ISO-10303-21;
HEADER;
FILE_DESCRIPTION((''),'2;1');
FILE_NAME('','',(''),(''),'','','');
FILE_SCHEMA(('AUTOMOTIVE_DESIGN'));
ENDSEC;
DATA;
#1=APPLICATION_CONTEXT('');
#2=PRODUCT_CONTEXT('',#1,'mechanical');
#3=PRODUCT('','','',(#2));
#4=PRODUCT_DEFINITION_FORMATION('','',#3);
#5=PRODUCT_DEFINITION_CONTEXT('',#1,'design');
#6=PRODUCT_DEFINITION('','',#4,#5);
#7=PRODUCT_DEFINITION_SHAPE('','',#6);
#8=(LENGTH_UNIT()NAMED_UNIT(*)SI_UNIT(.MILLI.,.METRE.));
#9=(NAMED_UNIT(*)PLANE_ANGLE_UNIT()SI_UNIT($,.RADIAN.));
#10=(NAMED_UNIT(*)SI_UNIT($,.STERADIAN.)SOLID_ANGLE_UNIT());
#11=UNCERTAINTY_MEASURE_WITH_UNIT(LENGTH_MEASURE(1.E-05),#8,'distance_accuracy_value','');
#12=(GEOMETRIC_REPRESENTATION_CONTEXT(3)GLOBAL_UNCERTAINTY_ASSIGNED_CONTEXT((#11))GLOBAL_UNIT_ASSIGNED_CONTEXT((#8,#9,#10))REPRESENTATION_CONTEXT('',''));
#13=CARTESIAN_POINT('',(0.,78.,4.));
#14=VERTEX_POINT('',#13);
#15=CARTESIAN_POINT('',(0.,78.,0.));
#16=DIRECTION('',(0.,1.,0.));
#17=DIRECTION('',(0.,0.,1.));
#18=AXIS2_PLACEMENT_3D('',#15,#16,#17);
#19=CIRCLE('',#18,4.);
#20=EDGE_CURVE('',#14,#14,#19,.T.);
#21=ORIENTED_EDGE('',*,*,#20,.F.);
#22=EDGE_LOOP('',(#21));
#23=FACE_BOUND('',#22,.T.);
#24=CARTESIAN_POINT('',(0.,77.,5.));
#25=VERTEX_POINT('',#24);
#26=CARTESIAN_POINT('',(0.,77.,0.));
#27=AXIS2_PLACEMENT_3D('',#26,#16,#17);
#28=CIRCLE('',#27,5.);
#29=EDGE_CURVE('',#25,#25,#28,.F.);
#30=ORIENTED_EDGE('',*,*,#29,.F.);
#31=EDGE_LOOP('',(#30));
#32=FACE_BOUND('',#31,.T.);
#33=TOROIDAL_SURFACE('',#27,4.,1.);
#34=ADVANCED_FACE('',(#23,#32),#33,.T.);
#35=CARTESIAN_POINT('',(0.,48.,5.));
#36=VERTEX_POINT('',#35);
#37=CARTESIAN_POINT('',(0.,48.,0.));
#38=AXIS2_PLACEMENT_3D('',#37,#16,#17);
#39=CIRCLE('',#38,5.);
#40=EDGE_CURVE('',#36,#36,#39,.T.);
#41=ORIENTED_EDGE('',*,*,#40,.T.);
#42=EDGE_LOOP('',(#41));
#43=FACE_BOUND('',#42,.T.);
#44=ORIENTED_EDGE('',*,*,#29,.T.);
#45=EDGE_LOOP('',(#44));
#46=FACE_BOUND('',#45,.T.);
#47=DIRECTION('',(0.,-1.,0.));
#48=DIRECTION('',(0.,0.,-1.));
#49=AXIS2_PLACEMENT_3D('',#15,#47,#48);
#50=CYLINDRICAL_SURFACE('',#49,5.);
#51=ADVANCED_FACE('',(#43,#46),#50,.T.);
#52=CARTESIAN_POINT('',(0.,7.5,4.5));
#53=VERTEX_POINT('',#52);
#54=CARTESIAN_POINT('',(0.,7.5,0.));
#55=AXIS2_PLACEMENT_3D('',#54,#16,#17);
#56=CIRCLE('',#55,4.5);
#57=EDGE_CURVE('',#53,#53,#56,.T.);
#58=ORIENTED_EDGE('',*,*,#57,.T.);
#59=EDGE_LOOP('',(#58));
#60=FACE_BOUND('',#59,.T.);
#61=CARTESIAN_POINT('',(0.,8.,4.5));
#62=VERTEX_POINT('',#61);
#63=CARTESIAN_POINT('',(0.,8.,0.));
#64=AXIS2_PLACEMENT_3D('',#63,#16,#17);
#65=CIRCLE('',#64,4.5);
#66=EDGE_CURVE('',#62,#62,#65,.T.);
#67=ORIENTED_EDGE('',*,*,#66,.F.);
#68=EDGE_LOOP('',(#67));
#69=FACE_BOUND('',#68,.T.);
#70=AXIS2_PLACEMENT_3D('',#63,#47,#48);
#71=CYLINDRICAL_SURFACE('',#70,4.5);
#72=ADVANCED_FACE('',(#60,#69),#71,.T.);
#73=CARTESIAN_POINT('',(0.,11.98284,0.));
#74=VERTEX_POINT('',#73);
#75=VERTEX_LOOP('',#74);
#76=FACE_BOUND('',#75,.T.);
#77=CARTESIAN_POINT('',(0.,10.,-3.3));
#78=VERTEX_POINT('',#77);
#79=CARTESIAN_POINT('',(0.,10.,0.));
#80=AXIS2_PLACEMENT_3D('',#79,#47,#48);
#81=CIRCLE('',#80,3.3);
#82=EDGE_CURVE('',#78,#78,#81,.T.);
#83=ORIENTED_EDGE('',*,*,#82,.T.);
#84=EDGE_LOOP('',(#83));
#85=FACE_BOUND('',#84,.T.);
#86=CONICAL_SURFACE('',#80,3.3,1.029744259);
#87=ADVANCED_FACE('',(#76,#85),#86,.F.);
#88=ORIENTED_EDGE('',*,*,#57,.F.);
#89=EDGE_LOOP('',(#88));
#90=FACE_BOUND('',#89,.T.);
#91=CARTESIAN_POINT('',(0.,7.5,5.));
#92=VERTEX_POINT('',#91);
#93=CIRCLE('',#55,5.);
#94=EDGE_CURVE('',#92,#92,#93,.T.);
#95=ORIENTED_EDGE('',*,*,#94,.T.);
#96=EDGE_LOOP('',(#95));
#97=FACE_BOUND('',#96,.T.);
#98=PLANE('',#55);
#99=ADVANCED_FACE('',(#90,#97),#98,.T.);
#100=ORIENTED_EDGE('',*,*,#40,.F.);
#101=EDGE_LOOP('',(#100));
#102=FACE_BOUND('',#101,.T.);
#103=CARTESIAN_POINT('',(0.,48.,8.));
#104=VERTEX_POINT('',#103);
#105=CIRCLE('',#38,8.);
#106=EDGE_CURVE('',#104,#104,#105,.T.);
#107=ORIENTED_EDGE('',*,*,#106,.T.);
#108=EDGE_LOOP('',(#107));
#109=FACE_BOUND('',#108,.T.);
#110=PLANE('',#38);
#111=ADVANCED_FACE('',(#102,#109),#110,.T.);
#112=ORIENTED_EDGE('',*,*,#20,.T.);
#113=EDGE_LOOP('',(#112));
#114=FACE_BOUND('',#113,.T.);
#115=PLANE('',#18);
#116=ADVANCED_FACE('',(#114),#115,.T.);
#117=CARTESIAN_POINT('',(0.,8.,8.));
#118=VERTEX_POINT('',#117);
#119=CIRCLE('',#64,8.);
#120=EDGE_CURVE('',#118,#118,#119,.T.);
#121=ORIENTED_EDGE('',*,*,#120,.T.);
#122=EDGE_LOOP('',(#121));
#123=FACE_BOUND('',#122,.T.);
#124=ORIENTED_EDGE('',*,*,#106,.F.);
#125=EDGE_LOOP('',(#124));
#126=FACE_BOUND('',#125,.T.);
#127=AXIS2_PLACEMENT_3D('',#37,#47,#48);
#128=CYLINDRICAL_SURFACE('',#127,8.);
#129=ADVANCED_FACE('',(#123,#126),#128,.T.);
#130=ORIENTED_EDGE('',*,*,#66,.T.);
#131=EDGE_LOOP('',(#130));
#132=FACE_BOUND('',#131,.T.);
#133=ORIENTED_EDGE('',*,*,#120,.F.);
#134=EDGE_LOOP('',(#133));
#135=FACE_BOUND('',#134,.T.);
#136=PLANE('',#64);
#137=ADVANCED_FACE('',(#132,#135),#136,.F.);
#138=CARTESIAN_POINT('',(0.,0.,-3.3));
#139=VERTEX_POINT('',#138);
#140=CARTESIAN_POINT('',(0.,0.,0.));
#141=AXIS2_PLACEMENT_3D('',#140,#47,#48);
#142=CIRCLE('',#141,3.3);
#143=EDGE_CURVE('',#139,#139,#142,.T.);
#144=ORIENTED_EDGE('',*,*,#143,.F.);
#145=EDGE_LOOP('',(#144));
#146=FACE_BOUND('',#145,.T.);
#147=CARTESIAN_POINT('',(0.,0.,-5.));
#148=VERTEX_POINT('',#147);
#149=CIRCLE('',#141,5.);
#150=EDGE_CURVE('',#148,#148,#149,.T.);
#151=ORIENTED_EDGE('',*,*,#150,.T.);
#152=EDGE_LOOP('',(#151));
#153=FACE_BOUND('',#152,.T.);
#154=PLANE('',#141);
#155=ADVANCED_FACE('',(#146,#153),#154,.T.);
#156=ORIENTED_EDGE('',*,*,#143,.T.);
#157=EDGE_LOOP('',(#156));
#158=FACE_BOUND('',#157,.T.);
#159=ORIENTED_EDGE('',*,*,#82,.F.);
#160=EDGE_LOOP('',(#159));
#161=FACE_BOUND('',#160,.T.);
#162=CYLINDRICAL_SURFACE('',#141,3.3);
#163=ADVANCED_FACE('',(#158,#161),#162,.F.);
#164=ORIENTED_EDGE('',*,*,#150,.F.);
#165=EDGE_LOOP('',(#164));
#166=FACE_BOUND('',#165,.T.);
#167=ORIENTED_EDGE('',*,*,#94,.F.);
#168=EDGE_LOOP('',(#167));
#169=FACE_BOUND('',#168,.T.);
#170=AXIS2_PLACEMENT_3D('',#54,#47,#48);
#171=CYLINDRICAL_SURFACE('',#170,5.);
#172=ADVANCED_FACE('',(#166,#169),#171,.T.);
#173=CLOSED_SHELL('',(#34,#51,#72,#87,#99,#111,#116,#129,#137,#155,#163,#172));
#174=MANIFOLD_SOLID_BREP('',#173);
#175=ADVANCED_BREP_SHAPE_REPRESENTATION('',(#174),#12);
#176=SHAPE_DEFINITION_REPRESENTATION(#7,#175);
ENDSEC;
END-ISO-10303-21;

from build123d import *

# Parameters (mm, degrees)
SKETCH9_R                               = 5
BOSS_EXTRUDE7_DEPTH                     = 7.5
SKETCH10_R                              = 4.5
BOSS_EXTRUDE8_DEPTH                     = 0.5
SKETCH11_R                              = 8
BOSS_EXTRUDE9_DEPTH                     = 40
SKETCH12_R                              = 5
BOSS_EXTRUDE10_DEPTH                    = 30
FILLET7_R                               = 1
CBORE_FOR_M6_HEX_HEAD_BOLT2_D           = 6.6
CBORE_FOR_M6_HEX_HEAD_BOLT2_DEPTH       = 10
CBORE_FOR_M6_HEX_HEAD_BOLT2_CBORE_D     = 14.547
CBORE_FOR_M6_HEX_HEAD_BOLT2_CBORE_DEPTH = 4
CBORE_FOR_M6_HEX_HEAD_BOLT2_TIP         = 1.982840043
BOSS_EXTRUDE11_START                    = 4
SKETCH27_R                              = 5
BOSS_EXTRUDE11_DEPTH                    = 4
CUT_EXTRUDE1_START                      = -5
SKETCH28_R                              = 3.3
CUT_EXTRUDE1_DEPTH                      = 5


with BuildPart() as part:
    # Sketch9 → Boss-Extrude7 (new body)
    with BuildSketch(Plane(origin=(0, 0, 0), x_dir=(1, 0, 0), z_dir=(0, 1, 0))):
        with Locations(Location((0, 0, 0), (0, 0, 270))):
            Circle(SKETCH9_R)
    extrude(amount=BOSS_EXTRUDE7_DEPTH)

    # Sketch10 → Boss-Extrude8 (add)
    with BuildSketch(Plane(origin=(0, 7.5, 0), x_dir=(1, 0, 0), z_dir=(0, 1, 0))):
        with Locations(Location((0, 0, 0), (0, 0, 270))):
            Circle(SKETCH10_R)
    extrude(amount=BOSS_EXTRUDE8_DEPTH)

    # Sketch11 → Boss-Extrude9 (add)
    with BuildSketch(Plane(origin=(0, 8, 0), x_dir=(1, 0, 0), z_dir=(0, 1, 0))):
        with Locations(Location((0, 0, 0), (0, 0, 270))):
            Circle(SKETCH11_R)
    extrude(amount=BOSS_EXTRUDE9_DEPTH)

    # Sketch12 → Boss-Extrude10 (add)
    with BuildSketch(Plane(origin=(0, 48, 0), x_dir=(1, 0, 0), z_dir=(0, 1, 0))):
        with Locations(Location((0, 0, 0), (0, 0, 270))):
            Circle(SKETCH12_R)
    extrude(amount=BOSS_EXTRUDE10_DEPTH)

    # Fillet7
    fillet7_edges = [part.edges().sort_by_distance(p)[0] for p in [
        (0, 78, -5),
    ]]
    fillet(fillet7_edges, radius=FILLET7_R)

    # CBORE for M6 Hex Head Bolt2
    with Locations(Plane(origin=(0, 0, 0), x_dir=(-1, 0, 0), z_dir=(0, -1, 0))):
        with Locations((0, 0)):
            CounterBoreHole(CBORE_FOR_M6_HEX_HEAD_BOLT2_D / 2, CBORE_FOR_M6_HEX_HEAD_BOLT2_CBORE_D / 2, CBORE_FOR_M6_HEX_HEAD_BOLT2_CBORE_DEPTH, depth=CBORE_FOR_M6_HEX_HEAD_BOLT2_DEPTH)
            with Locations((0, 0, -(CBORE_FOR_M6_HEX_HEAD_BOLT2_DEPTH + CBORE_FOR_M6_HEX_HEAD_BOLT2_TIP / 2))):  # 118° drill point
                Cone(0, CBORE_FOR_M6_HEX_HEAD_BOLT2_D / 2, CBORE_FOR_M6_HEX_HEAD_BOLT2_TIP, mode=Mode.SUBTRACT)

    # Sketch27 → Boss-Extrude11 (add)
    with BuildSketch(Plane.XZ.offset(-4).offset(BOSS_EXTRUDE11_START)):
        with Locations(Location((0, 0, 0), (0, 0, 270))):
            Circle(SKETCH27_R)
    extrude(amount=-BOSS_EXTRUDE11_DEPTH)

    # Sketch28 → Cut-Extrude1 (cut)
    with BuildSketch(Plane.XZ.offset(CUT_EXTRUDE1_START)):
        with Locations(Location((0, 0, 0), (0, 0, 270))):
            Circle(SKETCH28_R)
    extrude(amount=CUT_EXTRUDE1_DEPTH, mode=Mode.SUBTRACT)


solid = part.part
